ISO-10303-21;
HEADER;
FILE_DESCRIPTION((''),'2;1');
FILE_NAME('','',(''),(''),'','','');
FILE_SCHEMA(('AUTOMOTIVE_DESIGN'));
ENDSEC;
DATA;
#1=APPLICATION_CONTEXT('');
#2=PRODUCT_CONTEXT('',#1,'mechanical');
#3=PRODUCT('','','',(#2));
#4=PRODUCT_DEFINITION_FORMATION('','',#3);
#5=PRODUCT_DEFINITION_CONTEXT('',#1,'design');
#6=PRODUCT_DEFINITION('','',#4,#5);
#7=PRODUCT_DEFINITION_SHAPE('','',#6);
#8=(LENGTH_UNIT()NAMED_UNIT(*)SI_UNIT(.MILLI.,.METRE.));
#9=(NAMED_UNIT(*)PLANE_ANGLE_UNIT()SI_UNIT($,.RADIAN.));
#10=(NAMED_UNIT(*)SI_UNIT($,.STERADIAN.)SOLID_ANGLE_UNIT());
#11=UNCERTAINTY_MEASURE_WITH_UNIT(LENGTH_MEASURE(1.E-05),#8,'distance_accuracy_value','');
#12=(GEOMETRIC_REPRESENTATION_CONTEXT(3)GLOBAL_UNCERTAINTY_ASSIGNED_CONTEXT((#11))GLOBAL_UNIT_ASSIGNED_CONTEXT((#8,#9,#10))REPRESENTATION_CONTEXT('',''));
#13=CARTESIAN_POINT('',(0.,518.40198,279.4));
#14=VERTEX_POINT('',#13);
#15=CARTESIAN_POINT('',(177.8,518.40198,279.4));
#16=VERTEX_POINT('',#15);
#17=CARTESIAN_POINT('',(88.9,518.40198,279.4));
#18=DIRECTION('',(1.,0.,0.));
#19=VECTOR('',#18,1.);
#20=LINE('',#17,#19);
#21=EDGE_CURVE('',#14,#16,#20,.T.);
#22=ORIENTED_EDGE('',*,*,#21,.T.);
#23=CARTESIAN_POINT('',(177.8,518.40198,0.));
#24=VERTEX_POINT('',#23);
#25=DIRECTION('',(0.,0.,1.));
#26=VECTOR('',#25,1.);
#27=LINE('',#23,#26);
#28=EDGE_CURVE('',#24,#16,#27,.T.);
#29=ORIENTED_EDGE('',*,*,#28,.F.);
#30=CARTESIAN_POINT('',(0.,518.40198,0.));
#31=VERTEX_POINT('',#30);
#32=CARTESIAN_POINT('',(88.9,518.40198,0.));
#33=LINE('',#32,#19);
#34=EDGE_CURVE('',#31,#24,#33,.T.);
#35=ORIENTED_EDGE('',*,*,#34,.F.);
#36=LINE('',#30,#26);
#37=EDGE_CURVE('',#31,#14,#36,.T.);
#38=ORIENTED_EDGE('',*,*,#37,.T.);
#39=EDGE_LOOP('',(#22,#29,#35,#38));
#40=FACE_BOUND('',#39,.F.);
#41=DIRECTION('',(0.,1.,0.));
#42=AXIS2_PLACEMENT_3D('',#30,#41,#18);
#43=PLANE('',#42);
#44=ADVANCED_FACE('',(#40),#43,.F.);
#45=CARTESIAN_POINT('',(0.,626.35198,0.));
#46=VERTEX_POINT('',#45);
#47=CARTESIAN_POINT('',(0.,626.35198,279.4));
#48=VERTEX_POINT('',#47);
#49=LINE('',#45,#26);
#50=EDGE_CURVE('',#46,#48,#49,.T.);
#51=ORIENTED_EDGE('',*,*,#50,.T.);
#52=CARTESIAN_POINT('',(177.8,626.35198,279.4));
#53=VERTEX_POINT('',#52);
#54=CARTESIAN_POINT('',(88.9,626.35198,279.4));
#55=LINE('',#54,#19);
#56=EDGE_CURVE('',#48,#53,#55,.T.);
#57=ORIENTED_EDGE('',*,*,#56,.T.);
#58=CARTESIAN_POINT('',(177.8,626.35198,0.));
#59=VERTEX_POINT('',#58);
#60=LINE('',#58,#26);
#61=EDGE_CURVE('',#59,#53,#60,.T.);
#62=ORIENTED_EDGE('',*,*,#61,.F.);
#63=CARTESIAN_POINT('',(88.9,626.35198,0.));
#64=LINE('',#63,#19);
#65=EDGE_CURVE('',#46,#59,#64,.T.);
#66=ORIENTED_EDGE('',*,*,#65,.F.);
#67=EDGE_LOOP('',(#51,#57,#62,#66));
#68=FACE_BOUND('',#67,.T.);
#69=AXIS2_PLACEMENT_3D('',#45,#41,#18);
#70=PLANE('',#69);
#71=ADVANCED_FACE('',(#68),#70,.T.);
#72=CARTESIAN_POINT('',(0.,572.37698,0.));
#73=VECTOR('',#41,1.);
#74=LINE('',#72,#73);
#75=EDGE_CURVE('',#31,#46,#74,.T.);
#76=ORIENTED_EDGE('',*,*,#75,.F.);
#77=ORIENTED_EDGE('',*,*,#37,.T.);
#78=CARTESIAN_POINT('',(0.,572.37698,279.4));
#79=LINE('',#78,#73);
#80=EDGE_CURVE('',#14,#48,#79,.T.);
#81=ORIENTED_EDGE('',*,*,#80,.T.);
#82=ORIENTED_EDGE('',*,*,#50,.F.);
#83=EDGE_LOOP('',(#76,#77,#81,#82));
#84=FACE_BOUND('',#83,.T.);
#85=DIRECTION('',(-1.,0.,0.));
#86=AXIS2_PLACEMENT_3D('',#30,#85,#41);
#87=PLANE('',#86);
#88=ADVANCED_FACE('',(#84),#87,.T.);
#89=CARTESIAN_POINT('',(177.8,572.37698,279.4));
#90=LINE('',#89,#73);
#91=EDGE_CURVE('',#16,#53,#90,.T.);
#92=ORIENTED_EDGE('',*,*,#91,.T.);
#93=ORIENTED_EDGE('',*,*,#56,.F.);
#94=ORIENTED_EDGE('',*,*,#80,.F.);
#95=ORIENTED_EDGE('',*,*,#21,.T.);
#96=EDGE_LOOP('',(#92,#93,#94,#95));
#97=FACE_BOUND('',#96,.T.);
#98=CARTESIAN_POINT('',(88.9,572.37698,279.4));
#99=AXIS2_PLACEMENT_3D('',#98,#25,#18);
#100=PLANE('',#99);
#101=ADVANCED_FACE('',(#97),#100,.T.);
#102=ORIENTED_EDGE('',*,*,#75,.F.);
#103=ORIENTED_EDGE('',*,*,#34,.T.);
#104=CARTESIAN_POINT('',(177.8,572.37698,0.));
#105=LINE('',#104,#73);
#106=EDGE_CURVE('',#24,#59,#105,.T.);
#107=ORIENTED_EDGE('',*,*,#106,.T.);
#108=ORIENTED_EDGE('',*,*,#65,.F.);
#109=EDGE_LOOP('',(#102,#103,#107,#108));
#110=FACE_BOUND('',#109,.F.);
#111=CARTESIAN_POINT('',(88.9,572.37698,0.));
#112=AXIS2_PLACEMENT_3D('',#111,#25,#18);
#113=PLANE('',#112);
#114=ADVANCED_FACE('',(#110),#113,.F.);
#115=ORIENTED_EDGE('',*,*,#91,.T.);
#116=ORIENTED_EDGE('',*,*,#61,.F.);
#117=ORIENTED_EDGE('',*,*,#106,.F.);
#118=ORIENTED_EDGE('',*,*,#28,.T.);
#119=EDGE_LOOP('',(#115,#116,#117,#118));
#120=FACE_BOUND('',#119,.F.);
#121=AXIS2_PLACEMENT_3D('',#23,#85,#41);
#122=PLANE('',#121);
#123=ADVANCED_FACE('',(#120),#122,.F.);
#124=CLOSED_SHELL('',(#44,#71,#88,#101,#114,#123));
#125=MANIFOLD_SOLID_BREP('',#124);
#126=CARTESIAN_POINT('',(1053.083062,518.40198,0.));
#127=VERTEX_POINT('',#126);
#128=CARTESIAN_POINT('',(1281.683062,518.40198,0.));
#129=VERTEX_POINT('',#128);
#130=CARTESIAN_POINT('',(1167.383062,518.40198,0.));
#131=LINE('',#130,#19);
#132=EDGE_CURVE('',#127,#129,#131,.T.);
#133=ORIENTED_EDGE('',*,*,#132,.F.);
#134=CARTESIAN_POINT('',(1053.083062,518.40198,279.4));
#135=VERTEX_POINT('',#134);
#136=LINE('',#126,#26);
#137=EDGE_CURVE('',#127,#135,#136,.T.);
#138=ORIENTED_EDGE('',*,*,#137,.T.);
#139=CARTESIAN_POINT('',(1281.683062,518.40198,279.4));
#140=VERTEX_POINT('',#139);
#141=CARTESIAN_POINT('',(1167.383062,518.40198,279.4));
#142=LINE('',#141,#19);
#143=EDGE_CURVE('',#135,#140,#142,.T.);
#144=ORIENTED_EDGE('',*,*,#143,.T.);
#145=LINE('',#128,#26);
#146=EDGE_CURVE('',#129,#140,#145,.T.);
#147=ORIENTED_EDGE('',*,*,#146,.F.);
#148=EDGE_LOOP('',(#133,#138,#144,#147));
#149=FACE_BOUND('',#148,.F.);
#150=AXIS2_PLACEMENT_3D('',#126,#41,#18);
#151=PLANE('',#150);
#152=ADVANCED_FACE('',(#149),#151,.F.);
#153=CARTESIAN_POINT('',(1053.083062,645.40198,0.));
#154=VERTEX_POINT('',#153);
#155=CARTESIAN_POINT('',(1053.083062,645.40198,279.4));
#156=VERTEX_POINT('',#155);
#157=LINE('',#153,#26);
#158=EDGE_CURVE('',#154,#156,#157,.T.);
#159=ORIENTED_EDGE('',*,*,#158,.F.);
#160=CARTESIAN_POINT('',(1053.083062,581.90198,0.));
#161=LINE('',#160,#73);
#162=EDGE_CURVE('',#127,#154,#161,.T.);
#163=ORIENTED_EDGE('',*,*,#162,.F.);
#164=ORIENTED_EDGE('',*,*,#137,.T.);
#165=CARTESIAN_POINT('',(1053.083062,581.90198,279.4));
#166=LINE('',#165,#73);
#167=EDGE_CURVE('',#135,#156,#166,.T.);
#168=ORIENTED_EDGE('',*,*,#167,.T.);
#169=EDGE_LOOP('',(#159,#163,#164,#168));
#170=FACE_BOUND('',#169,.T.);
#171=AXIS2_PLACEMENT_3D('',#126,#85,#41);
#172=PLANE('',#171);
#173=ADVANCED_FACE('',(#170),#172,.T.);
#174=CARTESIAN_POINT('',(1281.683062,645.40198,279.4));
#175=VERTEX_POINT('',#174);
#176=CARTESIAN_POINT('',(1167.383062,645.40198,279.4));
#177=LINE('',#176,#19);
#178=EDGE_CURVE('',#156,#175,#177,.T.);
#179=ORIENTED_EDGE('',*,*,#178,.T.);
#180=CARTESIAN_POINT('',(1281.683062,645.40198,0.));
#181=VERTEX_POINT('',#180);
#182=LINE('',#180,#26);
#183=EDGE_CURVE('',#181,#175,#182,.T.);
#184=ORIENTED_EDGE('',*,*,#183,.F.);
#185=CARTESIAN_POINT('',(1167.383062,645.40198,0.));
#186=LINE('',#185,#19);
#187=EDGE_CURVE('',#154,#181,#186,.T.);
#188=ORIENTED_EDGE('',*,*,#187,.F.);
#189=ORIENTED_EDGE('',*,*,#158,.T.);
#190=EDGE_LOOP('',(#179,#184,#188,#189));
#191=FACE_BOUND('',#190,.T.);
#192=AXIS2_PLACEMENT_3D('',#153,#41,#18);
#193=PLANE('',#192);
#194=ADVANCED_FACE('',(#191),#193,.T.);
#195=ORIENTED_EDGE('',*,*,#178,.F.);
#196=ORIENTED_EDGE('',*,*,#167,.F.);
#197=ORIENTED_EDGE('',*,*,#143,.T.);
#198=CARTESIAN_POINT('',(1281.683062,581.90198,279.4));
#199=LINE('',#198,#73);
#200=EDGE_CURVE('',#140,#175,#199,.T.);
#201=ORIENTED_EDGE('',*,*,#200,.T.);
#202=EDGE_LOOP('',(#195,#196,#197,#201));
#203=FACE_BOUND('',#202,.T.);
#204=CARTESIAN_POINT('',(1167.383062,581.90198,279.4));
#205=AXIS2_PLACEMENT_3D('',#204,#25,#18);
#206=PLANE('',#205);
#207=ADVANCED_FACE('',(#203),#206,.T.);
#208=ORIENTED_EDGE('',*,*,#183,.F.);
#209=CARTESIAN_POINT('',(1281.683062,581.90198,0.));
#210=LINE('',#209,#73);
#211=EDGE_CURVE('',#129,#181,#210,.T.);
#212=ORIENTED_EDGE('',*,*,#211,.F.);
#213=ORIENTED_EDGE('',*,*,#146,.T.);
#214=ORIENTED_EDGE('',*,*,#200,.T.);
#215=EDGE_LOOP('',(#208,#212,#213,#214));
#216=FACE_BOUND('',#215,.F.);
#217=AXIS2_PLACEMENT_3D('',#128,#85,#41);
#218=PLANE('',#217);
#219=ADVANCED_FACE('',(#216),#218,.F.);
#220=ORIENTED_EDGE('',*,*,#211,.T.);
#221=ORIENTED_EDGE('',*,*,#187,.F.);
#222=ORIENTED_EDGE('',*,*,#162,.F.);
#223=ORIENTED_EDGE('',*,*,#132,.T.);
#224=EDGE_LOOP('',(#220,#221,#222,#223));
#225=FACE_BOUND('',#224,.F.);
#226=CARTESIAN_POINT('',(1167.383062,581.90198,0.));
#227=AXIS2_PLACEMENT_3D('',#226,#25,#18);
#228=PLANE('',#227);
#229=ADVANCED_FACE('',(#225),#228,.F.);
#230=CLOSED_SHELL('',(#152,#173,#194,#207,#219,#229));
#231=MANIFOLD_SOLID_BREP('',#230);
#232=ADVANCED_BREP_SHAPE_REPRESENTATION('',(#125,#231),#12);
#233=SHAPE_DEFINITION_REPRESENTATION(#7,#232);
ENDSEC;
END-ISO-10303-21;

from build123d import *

# Parameters (mm, degrees)
F0_W     = 177.8
F0_H     = 107.95
F0_W_2   = 228.6
F0_H_2   = 127
F1_DEPTH = 279.4


with BuildPart() as f1:
    # F0 (on Top) → F1 (new body)
    with BuildSketch(Plane.XY):
        with Locations((88.9, 572.37698)):
            Rectangle(F0_W, F0_H)
        with Locations((1167.383062, 581.90198)):
            Rectangle(F0_W_2, F0_H_2)
    extrude(amount=F1_DEPTH)


solid = f1.part
